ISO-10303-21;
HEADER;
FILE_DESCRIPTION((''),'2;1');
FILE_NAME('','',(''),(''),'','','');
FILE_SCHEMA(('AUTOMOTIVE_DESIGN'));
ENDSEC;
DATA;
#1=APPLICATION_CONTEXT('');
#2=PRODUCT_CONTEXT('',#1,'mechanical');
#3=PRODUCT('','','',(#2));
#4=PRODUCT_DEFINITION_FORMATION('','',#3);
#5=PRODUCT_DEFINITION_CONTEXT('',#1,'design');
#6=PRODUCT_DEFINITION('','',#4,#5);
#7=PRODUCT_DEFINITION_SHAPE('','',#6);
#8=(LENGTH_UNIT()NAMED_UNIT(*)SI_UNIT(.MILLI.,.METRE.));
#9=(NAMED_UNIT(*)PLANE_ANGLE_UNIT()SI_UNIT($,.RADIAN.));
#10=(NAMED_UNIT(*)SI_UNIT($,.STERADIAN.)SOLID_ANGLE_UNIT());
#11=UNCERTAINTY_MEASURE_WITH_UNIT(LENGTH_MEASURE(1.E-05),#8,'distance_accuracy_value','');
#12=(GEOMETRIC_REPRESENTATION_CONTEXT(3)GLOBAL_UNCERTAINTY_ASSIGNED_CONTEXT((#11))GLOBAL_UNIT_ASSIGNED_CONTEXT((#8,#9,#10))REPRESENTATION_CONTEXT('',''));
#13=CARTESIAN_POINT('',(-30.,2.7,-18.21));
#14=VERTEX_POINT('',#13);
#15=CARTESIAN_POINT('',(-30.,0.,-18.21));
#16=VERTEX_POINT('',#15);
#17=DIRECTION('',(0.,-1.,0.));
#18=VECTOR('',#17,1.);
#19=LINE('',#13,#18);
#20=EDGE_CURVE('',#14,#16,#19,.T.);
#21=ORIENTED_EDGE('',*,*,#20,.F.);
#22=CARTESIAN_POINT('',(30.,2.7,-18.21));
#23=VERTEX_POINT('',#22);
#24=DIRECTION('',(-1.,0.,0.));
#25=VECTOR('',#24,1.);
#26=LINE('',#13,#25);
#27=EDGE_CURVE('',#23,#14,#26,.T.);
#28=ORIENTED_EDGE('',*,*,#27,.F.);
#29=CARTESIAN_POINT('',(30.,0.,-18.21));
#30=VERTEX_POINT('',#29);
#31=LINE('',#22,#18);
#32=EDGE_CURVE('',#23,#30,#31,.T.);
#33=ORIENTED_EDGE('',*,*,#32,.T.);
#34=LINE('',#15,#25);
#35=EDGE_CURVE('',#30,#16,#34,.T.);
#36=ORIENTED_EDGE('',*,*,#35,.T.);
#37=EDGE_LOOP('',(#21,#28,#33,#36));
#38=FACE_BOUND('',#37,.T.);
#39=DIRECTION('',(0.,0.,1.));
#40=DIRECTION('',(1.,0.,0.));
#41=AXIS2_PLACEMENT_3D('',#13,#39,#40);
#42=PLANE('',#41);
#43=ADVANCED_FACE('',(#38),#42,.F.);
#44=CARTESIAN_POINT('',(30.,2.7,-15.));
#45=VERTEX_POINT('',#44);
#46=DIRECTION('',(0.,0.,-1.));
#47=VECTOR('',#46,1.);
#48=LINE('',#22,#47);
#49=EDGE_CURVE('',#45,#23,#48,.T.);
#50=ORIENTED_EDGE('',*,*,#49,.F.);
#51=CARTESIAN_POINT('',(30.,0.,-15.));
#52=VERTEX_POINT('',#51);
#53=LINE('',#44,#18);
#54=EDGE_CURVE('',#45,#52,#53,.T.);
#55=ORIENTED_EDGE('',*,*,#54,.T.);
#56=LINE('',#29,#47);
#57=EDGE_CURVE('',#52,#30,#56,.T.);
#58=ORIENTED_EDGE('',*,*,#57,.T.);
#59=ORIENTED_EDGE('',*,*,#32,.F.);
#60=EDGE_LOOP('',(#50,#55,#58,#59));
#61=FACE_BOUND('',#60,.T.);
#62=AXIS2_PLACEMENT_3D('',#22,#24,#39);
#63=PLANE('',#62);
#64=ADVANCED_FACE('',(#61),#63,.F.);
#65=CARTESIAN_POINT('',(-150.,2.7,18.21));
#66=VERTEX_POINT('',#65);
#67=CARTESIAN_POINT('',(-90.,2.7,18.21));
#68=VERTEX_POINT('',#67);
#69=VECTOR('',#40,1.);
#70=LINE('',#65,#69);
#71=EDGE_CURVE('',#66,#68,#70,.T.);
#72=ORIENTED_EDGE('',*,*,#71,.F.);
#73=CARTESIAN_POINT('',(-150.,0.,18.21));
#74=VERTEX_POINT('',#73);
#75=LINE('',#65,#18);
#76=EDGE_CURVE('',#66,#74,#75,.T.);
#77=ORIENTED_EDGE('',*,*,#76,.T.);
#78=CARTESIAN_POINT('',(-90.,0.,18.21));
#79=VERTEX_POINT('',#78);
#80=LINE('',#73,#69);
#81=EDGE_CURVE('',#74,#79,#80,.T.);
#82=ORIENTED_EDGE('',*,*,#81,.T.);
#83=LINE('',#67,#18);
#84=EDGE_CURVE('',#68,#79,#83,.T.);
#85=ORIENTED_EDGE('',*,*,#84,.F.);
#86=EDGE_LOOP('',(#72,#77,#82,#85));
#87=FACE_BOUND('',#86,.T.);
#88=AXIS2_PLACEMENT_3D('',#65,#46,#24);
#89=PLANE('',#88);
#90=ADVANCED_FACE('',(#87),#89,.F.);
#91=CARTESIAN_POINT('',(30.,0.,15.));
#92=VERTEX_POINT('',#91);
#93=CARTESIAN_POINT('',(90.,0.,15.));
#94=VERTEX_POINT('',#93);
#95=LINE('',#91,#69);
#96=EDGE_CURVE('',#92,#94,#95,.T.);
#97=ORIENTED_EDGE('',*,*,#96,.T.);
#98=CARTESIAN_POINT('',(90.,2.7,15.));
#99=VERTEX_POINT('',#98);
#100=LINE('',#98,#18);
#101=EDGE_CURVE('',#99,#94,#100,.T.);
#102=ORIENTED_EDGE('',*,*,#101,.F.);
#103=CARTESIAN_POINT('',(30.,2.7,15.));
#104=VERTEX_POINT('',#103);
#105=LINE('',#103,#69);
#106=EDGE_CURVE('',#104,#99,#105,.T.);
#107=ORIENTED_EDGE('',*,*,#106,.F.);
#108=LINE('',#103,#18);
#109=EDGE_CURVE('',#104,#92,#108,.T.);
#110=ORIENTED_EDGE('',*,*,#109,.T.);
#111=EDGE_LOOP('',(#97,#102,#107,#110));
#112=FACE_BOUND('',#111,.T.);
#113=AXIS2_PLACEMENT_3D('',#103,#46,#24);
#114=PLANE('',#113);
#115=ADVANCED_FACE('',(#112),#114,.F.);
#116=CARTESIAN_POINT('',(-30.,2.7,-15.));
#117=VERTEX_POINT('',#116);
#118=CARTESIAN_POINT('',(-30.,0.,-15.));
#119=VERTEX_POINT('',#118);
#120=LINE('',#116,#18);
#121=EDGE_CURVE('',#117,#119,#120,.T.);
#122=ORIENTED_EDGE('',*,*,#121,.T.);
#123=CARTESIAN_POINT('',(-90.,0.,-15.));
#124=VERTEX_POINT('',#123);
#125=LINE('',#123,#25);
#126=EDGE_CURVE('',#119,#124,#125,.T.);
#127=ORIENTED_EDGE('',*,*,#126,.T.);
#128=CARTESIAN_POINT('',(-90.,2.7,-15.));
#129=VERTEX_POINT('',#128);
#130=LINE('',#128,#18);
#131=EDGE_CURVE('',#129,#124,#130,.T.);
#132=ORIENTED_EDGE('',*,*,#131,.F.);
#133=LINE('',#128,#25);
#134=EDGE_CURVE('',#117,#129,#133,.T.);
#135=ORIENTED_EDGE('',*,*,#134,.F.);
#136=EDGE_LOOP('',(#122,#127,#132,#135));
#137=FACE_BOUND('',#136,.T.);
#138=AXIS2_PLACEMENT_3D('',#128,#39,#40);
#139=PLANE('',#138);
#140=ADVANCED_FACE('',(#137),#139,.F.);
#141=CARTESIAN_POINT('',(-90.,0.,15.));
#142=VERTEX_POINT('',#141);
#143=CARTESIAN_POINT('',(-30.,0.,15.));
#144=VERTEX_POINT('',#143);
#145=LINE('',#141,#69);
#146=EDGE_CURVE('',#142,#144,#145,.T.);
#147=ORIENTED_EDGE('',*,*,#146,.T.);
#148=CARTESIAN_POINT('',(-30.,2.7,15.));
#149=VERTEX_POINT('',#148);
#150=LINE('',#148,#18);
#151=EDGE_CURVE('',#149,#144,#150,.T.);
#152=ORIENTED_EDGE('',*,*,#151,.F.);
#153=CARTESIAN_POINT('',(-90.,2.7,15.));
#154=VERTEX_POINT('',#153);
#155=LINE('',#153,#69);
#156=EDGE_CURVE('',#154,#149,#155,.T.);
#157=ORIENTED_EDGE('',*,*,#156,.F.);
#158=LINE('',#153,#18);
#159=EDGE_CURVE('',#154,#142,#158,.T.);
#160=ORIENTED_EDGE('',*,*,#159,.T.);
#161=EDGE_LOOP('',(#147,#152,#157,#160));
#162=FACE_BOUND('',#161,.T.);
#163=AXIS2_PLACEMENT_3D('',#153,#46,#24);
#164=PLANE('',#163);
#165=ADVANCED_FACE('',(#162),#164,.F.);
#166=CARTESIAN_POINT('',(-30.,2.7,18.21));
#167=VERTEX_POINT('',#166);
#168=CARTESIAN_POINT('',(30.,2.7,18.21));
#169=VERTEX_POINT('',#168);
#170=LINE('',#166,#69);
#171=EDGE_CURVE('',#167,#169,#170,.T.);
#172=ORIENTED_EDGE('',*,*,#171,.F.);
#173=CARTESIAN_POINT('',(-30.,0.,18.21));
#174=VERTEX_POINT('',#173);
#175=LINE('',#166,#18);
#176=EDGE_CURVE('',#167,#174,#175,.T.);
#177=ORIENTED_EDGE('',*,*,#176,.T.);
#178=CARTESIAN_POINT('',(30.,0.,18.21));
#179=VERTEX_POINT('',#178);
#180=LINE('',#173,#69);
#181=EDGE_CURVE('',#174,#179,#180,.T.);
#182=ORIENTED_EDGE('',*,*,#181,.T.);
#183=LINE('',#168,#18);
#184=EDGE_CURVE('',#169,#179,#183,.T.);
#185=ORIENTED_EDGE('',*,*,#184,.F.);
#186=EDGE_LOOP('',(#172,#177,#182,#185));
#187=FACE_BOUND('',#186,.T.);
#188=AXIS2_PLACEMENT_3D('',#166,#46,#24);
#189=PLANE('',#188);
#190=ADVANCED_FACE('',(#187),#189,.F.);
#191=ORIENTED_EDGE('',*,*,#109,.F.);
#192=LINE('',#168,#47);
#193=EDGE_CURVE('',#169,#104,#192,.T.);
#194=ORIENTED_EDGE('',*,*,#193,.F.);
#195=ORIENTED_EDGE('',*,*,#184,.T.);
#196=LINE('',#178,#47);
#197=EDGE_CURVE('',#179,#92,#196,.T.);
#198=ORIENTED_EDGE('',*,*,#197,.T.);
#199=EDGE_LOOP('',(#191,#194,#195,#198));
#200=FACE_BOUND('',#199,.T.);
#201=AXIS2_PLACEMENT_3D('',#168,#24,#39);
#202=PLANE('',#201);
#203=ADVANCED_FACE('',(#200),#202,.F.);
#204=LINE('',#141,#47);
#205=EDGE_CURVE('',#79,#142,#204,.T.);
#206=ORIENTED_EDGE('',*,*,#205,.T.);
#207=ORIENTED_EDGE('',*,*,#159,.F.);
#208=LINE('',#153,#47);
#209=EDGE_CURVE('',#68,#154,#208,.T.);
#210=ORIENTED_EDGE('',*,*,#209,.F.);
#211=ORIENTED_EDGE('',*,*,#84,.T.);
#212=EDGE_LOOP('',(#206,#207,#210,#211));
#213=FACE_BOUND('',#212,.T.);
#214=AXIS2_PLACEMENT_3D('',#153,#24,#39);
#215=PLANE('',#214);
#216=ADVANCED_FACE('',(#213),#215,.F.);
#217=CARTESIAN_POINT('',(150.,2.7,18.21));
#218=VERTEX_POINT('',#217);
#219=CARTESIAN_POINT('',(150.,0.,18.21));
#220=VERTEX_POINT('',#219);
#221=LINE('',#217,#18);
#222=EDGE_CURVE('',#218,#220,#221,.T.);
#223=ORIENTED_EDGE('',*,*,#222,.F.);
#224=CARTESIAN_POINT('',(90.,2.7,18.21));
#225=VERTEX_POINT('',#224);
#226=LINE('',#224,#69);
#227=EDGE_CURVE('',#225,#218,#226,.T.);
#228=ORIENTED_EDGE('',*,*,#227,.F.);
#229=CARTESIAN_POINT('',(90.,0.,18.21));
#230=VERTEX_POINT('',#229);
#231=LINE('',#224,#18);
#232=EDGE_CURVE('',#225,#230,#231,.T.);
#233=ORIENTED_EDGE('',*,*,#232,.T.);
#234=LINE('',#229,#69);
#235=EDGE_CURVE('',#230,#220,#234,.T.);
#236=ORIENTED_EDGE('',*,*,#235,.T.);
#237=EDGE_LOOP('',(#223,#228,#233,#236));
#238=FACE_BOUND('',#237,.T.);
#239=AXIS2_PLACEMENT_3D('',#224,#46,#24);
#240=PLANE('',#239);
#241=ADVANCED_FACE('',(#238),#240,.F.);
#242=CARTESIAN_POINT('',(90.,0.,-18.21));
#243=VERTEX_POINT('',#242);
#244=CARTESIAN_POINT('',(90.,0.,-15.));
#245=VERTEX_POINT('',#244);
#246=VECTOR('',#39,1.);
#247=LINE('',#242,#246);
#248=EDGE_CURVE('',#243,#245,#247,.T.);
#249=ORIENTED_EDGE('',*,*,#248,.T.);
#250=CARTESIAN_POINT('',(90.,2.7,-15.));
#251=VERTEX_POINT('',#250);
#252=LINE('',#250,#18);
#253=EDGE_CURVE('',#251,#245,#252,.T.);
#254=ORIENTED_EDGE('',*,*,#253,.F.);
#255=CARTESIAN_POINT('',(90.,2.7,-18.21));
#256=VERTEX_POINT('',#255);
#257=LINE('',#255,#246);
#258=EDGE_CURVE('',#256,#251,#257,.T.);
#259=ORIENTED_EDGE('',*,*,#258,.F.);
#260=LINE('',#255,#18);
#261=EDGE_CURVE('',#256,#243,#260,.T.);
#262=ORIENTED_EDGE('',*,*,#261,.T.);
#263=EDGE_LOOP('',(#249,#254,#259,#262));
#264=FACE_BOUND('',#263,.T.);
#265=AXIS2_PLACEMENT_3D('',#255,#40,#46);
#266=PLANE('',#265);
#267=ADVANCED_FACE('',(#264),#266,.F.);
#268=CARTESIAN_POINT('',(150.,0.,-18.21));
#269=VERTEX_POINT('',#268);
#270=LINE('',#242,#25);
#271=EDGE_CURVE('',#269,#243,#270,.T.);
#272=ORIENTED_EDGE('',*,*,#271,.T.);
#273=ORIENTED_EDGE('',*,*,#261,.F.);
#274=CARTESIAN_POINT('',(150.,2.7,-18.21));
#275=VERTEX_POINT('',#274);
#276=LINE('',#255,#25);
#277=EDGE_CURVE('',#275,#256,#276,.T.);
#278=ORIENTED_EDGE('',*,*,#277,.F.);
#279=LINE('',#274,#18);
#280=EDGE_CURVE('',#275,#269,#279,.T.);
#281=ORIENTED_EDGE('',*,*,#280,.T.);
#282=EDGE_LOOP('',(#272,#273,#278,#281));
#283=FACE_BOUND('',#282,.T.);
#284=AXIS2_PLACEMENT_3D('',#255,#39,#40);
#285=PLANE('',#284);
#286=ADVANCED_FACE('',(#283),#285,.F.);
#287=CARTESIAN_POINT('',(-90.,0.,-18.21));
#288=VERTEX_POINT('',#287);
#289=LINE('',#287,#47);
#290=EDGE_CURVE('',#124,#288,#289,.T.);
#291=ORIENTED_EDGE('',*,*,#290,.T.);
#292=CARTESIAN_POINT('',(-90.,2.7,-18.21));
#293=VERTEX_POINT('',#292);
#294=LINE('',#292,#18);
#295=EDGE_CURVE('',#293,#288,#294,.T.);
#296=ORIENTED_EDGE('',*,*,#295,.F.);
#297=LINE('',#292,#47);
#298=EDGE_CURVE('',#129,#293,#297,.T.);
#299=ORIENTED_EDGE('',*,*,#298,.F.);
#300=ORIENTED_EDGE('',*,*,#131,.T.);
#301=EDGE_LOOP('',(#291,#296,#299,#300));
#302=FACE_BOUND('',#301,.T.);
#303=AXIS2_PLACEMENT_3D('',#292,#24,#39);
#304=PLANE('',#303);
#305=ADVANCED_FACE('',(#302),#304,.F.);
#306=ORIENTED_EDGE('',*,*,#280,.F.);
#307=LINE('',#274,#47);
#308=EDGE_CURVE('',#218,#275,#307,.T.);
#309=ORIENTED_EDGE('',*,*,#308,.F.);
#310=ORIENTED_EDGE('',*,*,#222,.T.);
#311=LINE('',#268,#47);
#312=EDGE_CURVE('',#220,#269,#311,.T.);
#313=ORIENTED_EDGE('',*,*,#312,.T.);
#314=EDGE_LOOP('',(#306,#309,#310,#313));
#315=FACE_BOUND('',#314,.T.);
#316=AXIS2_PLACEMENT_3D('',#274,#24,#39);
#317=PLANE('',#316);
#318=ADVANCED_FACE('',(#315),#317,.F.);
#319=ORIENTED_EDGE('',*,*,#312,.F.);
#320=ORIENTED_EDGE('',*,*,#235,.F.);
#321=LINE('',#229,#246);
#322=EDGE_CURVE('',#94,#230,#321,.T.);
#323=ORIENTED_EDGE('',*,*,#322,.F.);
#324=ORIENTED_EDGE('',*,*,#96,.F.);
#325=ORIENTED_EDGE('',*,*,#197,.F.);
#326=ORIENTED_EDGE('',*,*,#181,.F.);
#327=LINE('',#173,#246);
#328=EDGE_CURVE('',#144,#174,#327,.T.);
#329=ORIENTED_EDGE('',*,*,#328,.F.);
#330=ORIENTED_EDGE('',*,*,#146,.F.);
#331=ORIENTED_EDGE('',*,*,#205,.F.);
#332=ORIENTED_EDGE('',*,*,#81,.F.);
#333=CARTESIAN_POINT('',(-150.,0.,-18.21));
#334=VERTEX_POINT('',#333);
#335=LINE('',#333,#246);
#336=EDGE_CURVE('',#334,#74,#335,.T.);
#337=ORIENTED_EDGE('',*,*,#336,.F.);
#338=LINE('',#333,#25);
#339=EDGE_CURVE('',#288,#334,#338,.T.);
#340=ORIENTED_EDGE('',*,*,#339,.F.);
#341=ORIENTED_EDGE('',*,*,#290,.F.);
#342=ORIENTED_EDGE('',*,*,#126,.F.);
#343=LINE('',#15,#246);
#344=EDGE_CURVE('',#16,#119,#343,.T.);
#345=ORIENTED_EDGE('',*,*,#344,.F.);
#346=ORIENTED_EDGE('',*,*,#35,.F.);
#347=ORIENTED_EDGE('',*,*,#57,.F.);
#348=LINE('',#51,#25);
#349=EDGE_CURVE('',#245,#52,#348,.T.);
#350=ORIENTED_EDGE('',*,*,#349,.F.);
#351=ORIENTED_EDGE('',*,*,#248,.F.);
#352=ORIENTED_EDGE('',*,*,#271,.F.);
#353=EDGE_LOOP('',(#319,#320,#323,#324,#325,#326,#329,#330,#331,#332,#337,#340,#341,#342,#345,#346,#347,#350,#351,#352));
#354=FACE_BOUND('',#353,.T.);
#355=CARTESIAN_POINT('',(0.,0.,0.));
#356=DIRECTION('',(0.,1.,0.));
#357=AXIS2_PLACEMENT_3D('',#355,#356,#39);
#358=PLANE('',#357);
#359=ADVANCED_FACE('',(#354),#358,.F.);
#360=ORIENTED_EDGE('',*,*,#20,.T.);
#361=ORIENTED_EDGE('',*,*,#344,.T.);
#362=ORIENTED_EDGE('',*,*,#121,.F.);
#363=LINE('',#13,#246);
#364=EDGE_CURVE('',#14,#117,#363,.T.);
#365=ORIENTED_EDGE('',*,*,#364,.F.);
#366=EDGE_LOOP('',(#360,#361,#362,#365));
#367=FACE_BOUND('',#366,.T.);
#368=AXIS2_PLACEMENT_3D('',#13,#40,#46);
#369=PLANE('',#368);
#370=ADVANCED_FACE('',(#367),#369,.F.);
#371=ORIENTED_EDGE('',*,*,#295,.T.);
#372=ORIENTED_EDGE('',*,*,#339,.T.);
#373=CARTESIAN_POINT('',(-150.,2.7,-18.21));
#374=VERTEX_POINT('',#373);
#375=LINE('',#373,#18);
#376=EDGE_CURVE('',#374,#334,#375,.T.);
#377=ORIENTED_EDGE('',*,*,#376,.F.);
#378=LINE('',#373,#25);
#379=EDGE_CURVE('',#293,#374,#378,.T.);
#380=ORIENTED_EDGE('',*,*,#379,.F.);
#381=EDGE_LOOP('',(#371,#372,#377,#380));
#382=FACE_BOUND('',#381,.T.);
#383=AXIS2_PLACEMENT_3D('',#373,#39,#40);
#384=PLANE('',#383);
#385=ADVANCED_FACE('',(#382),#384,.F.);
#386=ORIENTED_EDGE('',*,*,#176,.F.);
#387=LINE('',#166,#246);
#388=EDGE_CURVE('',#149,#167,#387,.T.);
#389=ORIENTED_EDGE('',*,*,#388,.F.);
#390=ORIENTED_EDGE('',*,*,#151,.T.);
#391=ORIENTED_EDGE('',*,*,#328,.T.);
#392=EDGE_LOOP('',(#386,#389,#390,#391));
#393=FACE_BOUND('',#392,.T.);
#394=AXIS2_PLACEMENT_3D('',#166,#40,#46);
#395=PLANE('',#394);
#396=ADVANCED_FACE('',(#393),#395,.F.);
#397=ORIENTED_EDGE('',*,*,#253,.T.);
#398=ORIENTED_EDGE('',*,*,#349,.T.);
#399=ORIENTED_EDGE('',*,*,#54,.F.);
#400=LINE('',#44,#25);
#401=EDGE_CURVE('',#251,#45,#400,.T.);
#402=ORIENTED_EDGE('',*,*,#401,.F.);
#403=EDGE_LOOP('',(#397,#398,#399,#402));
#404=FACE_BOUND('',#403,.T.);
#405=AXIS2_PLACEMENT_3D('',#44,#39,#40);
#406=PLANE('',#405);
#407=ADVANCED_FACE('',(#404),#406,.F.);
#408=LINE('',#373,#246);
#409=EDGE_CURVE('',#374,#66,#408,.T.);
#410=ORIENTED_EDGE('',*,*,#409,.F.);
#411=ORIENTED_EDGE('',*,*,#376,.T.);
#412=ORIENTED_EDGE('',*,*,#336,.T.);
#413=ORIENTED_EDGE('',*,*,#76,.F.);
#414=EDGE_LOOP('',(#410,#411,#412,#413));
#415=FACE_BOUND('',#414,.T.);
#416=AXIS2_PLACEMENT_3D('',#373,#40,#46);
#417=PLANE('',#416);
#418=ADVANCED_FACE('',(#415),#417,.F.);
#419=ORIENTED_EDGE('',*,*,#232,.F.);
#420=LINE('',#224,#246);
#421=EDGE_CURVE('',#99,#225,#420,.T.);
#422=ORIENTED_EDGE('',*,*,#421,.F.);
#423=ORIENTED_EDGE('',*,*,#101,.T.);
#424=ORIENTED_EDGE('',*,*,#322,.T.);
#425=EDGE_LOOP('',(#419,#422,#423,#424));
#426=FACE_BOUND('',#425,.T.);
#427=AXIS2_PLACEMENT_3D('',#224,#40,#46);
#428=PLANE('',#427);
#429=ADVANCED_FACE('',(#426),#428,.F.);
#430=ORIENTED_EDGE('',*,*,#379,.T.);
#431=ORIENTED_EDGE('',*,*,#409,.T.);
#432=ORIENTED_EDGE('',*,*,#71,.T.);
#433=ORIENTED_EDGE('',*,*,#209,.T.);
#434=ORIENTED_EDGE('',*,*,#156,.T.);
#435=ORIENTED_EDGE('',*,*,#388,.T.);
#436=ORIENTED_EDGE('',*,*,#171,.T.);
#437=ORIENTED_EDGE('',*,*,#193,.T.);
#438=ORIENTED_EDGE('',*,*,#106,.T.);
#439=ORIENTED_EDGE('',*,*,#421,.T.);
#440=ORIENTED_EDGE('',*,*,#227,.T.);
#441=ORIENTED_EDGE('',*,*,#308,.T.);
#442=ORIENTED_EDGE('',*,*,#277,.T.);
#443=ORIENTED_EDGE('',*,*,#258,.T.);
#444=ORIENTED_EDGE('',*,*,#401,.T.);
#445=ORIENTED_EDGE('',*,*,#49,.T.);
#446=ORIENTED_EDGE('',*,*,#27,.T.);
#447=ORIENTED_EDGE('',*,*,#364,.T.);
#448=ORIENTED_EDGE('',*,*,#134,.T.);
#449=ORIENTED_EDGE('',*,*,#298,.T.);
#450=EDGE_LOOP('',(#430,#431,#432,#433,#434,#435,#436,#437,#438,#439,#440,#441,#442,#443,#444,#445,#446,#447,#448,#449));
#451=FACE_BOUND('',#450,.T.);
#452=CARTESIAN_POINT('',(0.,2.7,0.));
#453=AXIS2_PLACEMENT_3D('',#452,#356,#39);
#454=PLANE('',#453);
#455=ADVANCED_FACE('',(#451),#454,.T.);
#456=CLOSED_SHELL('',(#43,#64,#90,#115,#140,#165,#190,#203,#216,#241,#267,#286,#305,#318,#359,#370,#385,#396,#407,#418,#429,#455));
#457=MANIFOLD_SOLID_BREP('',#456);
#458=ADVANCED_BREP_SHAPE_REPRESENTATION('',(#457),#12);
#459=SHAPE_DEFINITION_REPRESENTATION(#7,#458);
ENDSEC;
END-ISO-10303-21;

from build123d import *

# Parameters (mm, degrees)
BOSS_EXTRUDE1_DEPTH = 2.7


with BuildPart() as part:
    # Sketch1 → Boss-Extrude1 (new body)
    with BuildSketch(Plane(origin=(0, 0, 0), x_dir=(1, 0, 0), z_dir=(0, 1, 0))):
        Polygon((30, 15), (90, 15), (90, 18.21), (150, 18.21), (150, -18.21), (90, -18.21), (90, -15), (30, -15), (30, -18.21), (-30, -18.21), (-30, -15), (-90, -15), (-90, -18.21), (-150, -18.21), (-150, 18.21), (-90, 18.21), (-90, 15), (-30, 15), (-30, 18.21), (30, 18.21), align=None)
    extrude(amount=BOSS_EXTRUDE1_DEPTH)


solid = part.part
